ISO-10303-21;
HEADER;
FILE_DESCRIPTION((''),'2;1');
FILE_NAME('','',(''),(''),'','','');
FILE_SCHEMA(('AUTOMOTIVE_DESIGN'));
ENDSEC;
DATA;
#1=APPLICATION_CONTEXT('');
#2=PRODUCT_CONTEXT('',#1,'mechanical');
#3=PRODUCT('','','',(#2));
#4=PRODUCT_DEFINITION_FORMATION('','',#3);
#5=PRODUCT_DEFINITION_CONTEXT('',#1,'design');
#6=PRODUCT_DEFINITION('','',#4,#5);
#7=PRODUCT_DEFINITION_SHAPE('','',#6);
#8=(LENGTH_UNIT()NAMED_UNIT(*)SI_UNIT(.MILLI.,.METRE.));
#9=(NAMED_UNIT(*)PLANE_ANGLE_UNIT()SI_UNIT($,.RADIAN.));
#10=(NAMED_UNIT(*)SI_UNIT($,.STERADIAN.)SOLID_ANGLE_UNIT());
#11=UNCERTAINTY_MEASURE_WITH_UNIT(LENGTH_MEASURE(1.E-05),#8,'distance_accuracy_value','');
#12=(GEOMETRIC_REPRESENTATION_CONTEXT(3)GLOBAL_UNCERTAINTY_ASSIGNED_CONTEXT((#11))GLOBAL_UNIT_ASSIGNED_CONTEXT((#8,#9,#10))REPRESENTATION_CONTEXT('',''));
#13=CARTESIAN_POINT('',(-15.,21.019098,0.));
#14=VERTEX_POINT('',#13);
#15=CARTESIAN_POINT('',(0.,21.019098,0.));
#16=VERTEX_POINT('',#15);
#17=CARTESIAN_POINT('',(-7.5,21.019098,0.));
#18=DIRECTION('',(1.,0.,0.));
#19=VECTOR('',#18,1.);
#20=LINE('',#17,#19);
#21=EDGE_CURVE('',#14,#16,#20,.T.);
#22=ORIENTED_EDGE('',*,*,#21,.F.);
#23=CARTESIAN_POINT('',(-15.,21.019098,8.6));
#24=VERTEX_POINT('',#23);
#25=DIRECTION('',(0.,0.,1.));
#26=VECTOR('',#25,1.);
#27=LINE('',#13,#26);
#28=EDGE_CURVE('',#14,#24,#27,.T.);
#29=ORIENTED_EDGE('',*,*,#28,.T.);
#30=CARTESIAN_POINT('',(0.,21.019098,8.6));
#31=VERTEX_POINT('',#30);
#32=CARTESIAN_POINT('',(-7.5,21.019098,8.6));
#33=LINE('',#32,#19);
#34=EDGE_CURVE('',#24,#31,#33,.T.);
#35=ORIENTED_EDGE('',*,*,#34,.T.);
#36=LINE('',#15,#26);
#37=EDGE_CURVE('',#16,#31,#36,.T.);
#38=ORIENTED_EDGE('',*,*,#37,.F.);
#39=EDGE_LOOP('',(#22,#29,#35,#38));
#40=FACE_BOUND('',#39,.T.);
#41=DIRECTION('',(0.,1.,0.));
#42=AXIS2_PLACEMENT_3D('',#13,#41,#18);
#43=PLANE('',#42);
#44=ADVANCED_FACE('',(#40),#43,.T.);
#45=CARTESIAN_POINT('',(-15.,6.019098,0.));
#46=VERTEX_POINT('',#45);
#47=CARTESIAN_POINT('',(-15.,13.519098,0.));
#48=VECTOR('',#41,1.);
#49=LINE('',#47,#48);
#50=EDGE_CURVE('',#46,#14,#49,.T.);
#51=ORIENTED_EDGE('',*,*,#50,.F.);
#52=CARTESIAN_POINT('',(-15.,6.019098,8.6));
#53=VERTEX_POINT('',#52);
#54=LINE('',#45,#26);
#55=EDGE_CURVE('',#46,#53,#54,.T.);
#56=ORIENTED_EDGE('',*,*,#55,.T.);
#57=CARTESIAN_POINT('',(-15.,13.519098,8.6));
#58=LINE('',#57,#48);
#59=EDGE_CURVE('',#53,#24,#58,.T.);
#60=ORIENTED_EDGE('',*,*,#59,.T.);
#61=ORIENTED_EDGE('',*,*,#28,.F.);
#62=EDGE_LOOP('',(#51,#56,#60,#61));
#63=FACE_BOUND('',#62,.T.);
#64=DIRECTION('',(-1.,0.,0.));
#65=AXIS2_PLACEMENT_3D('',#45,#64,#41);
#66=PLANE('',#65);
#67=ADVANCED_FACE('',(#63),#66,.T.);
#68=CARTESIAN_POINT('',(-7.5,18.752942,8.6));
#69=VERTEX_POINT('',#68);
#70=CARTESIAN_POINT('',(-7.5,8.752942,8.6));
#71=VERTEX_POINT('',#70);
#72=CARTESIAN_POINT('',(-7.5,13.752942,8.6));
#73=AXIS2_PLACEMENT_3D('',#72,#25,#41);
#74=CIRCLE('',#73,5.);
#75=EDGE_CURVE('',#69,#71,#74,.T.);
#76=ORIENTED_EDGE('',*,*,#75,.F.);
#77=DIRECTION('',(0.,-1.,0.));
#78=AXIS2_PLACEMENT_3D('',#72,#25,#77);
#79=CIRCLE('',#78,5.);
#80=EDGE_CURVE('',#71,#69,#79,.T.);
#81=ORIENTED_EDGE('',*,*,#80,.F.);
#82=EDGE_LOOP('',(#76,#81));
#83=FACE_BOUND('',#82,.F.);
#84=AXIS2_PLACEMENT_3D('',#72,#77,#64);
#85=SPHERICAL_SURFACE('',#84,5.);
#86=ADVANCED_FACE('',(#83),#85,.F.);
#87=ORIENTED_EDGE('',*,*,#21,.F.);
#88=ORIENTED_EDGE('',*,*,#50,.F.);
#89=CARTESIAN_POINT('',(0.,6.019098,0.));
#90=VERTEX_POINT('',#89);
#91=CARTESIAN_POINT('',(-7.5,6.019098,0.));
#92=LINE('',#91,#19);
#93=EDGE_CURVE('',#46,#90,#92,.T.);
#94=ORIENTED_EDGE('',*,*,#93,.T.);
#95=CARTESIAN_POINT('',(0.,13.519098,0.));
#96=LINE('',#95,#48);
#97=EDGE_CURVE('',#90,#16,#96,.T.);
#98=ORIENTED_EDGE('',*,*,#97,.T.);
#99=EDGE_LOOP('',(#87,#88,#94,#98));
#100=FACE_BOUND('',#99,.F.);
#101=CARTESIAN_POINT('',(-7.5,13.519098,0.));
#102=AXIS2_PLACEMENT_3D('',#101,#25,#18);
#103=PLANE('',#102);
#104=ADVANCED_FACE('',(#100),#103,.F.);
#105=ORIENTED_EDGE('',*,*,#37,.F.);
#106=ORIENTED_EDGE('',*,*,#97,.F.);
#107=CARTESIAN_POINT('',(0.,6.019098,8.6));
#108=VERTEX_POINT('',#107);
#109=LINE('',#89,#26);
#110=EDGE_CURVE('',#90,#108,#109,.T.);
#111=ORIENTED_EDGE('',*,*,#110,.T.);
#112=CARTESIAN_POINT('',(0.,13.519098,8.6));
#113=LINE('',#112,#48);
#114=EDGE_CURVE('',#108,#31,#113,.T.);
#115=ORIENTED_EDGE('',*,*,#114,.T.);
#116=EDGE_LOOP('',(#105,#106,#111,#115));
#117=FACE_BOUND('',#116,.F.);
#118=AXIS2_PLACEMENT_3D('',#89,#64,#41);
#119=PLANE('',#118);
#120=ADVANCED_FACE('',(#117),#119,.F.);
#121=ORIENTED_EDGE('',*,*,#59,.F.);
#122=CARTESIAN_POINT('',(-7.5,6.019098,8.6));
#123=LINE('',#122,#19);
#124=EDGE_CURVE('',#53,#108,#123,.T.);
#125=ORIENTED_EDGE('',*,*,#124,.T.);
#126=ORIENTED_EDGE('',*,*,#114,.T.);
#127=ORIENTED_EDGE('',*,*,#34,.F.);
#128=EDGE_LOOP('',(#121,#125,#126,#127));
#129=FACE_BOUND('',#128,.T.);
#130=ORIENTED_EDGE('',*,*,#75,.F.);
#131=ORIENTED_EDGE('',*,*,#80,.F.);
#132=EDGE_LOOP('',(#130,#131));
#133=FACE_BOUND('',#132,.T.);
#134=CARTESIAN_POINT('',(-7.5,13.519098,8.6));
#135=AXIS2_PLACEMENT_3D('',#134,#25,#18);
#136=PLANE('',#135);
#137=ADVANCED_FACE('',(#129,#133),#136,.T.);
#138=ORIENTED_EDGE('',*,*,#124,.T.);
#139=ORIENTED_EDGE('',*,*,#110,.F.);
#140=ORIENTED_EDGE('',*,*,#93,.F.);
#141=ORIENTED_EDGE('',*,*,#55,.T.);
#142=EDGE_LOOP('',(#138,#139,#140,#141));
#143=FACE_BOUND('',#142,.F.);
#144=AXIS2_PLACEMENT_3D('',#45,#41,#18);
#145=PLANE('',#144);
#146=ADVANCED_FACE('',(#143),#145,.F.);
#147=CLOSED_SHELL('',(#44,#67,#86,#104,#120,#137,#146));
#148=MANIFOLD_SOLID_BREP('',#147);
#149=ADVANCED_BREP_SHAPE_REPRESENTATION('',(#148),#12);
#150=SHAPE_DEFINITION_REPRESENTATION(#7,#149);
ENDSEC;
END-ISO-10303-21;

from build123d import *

# Parameters (mm, degrees)
F0_W     = 15
F0_H     = 15
F1_DEPTH = 8.6


with BuildPart() as f1:
    # F0 (on Top) → F1 (new body)
    with BuildSketch(Plane.XY):
        with Locations((-7.5, 13.519098)):
            Rectangle(F0_W, F0_H)
    extrude(amount=F1_DEPTH)

    # F2 (on face) → F3 (revolve, cut)
    with BuildSketch(Plane.XY.offset(8.6)):
        with BuildLine():
            Line((-7.5, 8.752942), (-7.5, 18.752942))
            ThreePointArc((-7.5, 18.752942), (-12.5, 13.752942), (-7.5, 8.752942))
        make_face()
    revolve(axis=Axis((-7.5, 13.752942, 8.6), (0, -1, 0)), mode=Mode.SUBTRACT)


solid = f1.part
